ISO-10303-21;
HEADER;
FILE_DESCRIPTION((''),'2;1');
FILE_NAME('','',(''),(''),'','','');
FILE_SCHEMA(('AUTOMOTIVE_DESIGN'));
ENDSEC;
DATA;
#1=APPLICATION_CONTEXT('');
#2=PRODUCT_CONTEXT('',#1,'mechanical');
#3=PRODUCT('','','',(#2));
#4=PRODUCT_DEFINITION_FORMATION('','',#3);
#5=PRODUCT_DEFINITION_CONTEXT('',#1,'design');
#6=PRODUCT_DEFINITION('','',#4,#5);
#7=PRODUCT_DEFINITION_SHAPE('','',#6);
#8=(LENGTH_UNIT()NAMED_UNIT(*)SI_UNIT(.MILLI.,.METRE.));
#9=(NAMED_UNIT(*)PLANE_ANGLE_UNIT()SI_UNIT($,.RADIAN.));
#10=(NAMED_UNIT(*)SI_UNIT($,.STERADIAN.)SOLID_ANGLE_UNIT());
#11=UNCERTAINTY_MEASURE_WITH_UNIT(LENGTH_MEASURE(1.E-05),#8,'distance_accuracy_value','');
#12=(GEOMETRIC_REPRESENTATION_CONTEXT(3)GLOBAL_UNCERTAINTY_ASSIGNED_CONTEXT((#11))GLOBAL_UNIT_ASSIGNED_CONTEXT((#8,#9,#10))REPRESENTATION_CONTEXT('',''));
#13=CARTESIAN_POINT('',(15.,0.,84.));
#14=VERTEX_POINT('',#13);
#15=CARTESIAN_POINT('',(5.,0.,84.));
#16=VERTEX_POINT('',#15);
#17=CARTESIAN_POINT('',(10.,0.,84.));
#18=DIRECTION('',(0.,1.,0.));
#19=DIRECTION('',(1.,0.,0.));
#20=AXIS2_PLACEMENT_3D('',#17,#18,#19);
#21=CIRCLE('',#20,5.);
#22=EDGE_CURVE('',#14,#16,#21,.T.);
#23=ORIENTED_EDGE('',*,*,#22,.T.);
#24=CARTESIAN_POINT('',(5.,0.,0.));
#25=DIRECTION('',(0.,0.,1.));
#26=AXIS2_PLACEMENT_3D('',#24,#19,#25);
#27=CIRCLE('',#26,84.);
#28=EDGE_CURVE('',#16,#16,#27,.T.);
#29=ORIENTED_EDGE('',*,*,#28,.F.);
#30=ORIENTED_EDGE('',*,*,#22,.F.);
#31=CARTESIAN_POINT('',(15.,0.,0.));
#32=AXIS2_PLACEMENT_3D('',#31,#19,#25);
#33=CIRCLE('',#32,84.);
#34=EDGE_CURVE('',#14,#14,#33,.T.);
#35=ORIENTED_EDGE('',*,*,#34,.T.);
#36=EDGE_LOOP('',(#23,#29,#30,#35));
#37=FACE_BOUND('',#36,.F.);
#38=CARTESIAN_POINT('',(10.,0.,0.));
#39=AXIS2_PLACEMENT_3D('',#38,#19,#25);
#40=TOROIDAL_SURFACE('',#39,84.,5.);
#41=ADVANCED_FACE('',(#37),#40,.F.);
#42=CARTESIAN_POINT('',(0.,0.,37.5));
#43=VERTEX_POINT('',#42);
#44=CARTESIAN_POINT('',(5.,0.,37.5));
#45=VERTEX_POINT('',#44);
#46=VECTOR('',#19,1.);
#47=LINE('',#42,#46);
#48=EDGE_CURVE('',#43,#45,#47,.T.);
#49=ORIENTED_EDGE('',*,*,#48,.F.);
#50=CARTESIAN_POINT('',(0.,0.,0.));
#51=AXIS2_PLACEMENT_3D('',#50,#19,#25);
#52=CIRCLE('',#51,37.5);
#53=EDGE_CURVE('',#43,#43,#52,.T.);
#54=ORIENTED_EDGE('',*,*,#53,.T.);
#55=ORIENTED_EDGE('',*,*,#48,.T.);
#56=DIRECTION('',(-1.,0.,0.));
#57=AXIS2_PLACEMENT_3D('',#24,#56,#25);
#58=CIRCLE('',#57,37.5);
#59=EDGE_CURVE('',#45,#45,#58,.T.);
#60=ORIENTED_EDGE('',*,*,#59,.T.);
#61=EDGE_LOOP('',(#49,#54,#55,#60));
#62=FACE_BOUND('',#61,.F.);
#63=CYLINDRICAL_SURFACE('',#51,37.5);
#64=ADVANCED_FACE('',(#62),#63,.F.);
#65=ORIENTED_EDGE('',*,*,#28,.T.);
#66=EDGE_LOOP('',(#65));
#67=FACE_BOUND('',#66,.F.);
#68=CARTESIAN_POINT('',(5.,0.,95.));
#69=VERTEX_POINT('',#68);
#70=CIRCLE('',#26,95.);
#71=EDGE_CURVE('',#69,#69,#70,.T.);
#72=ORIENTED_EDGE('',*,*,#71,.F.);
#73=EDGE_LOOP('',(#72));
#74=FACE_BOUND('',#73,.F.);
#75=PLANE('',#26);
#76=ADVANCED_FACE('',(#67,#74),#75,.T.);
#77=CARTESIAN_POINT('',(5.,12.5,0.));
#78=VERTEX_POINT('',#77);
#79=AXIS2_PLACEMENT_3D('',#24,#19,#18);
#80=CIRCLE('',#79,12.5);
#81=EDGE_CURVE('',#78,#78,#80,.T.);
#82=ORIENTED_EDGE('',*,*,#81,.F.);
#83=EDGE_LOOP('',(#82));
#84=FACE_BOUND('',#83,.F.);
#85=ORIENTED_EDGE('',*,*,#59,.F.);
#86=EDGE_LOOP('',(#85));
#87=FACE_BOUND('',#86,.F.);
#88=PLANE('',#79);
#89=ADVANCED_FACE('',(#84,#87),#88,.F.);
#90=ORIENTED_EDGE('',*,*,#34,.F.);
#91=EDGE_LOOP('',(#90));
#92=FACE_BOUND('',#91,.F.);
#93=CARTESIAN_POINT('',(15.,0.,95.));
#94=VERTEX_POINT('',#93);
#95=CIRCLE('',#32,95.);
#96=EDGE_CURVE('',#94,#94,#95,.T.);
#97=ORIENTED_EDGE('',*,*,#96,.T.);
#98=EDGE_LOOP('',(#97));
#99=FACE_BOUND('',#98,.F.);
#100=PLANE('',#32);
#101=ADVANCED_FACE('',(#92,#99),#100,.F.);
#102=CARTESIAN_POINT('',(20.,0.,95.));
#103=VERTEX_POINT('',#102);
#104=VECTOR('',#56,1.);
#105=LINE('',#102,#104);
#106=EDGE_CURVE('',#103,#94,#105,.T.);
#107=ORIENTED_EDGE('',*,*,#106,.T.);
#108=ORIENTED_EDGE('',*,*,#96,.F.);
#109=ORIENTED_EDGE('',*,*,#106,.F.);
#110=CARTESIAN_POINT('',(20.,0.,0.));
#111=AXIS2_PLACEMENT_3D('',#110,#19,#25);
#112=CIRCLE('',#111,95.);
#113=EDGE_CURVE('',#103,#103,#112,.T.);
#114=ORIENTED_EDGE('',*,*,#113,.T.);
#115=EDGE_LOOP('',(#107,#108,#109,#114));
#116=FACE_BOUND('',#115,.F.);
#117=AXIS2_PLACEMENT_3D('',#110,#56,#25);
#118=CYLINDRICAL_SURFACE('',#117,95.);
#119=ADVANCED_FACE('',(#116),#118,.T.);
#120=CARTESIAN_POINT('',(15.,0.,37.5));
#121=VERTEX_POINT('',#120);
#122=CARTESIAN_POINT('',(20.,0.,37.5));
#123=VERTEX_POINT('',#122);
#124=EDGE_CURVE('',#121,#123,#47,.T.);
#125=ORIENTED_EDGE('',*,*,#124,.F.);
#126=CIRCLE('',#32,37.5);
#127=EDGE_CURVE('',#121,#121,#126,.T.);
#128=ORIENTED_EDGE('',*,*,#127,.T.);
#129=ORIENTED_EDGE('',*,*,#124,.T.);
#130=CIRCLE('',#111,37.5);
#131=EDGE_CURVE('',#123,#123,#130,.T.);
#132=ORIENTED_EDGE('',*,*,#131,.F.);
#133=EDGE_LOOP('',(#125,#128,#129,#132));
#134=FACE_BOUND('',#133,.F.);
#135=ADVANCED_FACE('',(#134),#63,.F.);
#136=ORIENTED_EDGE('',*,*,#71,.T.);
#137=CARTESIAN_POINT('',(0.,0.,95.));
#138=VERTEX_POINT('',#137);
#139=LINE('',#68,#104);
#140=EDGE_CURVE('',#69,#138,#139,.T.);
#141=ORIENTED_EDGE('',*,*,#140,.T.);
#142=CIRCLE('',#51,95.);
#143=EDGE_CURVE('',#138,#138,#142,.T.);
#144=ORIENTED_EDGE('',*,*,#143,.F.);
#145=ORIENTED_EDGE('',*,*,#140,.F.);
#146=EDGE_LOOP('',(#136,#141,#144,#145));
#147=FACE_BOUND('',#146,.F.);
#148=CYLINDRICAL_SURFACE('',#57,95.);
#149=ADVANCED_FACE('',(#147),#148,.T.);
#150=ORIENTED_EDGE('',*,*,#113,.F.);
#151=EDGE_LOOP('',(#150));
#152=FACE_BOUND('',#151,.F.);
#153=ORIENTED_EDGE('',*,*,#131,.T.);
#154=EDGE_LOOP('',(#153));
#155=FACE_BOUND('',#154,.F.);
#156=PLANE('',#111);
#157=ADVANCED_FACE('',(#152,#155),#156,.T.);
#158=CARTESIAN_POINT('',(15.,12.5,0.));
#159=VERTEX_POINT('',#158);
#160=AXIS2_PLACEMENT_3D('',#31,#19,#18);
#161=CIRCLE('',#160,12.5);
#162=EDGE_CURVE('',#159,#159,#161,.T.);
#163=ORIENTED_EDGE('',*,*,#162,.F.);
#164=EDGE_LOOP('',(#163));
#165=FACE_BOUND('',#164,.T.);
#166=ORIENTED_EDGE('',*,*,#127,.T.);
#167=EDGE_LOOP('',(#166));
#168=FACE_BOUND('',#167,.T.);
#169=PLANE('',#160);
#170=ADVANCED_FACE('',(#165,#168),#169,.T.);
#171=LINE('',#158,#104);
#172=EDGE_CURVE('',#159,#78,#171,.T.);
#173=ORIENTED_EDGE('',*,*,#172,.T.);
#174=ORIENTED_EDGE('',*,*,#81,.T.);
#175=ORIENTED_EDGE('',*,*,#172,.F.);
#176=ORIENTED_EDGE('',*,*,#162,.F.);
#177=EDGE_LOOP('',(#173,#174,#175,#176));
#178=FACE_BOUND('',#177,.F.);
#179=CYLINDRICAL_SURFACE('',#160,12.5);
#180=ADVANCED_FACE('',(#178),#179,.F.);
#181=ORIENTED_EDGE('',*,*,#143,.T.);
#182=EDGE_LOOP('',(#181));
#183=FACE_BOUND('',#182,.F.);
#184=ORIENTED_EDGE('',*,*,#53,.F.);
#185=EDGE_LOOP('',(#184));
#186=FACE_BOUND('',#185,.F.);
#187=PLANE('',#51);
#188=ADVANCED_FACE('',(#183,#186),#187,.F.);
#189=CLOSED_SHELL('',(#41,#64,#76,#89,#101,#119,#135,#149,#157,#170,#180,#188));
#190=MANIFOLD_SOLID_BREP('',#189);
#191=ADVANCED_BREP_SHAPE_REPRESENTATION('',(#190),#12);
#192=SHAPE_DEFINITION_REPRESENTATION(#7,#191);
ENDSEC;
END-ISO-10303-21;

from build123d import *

# Parameters (mm, degrees)
F3_START = -5
F2_R     = 37.5
F2_R_2   = 12.5
F3_DEPTH = 10


with BuildPart() as f1:
    # F0 (on Front) → F1 (revolve)
    with BuildSketch(Plane.XZ):
        with BuildLine():
            Line((0, 95), (0, 37.5))
            Line((0, 37.5), (20, 37.5))
            Line((20, 37.5), (20, 95))
            Line((20, 95), (15, 95))
            Line((15, 95), (15, 84))
            ThreePointArc((15, 84), (10, 79), (5, 84))
            Line((5, 84), (5, 95))
            Line((5, 95), (0, 95))
        make_face()
    revolve(axis=Axis((28.1461849809, 0, 0), (1, 0, 0)))

    # F2 (on face) → F3 (join)
    with BuildSketch(Plane.YZ.offset(20).offset(F3_START)):
        Circle(F2_R)
        Circle(F2_R_2, mode=Mode.SUBTRACT)
    extrude(amount=-F3_DEPTH)


solid = f1.part
